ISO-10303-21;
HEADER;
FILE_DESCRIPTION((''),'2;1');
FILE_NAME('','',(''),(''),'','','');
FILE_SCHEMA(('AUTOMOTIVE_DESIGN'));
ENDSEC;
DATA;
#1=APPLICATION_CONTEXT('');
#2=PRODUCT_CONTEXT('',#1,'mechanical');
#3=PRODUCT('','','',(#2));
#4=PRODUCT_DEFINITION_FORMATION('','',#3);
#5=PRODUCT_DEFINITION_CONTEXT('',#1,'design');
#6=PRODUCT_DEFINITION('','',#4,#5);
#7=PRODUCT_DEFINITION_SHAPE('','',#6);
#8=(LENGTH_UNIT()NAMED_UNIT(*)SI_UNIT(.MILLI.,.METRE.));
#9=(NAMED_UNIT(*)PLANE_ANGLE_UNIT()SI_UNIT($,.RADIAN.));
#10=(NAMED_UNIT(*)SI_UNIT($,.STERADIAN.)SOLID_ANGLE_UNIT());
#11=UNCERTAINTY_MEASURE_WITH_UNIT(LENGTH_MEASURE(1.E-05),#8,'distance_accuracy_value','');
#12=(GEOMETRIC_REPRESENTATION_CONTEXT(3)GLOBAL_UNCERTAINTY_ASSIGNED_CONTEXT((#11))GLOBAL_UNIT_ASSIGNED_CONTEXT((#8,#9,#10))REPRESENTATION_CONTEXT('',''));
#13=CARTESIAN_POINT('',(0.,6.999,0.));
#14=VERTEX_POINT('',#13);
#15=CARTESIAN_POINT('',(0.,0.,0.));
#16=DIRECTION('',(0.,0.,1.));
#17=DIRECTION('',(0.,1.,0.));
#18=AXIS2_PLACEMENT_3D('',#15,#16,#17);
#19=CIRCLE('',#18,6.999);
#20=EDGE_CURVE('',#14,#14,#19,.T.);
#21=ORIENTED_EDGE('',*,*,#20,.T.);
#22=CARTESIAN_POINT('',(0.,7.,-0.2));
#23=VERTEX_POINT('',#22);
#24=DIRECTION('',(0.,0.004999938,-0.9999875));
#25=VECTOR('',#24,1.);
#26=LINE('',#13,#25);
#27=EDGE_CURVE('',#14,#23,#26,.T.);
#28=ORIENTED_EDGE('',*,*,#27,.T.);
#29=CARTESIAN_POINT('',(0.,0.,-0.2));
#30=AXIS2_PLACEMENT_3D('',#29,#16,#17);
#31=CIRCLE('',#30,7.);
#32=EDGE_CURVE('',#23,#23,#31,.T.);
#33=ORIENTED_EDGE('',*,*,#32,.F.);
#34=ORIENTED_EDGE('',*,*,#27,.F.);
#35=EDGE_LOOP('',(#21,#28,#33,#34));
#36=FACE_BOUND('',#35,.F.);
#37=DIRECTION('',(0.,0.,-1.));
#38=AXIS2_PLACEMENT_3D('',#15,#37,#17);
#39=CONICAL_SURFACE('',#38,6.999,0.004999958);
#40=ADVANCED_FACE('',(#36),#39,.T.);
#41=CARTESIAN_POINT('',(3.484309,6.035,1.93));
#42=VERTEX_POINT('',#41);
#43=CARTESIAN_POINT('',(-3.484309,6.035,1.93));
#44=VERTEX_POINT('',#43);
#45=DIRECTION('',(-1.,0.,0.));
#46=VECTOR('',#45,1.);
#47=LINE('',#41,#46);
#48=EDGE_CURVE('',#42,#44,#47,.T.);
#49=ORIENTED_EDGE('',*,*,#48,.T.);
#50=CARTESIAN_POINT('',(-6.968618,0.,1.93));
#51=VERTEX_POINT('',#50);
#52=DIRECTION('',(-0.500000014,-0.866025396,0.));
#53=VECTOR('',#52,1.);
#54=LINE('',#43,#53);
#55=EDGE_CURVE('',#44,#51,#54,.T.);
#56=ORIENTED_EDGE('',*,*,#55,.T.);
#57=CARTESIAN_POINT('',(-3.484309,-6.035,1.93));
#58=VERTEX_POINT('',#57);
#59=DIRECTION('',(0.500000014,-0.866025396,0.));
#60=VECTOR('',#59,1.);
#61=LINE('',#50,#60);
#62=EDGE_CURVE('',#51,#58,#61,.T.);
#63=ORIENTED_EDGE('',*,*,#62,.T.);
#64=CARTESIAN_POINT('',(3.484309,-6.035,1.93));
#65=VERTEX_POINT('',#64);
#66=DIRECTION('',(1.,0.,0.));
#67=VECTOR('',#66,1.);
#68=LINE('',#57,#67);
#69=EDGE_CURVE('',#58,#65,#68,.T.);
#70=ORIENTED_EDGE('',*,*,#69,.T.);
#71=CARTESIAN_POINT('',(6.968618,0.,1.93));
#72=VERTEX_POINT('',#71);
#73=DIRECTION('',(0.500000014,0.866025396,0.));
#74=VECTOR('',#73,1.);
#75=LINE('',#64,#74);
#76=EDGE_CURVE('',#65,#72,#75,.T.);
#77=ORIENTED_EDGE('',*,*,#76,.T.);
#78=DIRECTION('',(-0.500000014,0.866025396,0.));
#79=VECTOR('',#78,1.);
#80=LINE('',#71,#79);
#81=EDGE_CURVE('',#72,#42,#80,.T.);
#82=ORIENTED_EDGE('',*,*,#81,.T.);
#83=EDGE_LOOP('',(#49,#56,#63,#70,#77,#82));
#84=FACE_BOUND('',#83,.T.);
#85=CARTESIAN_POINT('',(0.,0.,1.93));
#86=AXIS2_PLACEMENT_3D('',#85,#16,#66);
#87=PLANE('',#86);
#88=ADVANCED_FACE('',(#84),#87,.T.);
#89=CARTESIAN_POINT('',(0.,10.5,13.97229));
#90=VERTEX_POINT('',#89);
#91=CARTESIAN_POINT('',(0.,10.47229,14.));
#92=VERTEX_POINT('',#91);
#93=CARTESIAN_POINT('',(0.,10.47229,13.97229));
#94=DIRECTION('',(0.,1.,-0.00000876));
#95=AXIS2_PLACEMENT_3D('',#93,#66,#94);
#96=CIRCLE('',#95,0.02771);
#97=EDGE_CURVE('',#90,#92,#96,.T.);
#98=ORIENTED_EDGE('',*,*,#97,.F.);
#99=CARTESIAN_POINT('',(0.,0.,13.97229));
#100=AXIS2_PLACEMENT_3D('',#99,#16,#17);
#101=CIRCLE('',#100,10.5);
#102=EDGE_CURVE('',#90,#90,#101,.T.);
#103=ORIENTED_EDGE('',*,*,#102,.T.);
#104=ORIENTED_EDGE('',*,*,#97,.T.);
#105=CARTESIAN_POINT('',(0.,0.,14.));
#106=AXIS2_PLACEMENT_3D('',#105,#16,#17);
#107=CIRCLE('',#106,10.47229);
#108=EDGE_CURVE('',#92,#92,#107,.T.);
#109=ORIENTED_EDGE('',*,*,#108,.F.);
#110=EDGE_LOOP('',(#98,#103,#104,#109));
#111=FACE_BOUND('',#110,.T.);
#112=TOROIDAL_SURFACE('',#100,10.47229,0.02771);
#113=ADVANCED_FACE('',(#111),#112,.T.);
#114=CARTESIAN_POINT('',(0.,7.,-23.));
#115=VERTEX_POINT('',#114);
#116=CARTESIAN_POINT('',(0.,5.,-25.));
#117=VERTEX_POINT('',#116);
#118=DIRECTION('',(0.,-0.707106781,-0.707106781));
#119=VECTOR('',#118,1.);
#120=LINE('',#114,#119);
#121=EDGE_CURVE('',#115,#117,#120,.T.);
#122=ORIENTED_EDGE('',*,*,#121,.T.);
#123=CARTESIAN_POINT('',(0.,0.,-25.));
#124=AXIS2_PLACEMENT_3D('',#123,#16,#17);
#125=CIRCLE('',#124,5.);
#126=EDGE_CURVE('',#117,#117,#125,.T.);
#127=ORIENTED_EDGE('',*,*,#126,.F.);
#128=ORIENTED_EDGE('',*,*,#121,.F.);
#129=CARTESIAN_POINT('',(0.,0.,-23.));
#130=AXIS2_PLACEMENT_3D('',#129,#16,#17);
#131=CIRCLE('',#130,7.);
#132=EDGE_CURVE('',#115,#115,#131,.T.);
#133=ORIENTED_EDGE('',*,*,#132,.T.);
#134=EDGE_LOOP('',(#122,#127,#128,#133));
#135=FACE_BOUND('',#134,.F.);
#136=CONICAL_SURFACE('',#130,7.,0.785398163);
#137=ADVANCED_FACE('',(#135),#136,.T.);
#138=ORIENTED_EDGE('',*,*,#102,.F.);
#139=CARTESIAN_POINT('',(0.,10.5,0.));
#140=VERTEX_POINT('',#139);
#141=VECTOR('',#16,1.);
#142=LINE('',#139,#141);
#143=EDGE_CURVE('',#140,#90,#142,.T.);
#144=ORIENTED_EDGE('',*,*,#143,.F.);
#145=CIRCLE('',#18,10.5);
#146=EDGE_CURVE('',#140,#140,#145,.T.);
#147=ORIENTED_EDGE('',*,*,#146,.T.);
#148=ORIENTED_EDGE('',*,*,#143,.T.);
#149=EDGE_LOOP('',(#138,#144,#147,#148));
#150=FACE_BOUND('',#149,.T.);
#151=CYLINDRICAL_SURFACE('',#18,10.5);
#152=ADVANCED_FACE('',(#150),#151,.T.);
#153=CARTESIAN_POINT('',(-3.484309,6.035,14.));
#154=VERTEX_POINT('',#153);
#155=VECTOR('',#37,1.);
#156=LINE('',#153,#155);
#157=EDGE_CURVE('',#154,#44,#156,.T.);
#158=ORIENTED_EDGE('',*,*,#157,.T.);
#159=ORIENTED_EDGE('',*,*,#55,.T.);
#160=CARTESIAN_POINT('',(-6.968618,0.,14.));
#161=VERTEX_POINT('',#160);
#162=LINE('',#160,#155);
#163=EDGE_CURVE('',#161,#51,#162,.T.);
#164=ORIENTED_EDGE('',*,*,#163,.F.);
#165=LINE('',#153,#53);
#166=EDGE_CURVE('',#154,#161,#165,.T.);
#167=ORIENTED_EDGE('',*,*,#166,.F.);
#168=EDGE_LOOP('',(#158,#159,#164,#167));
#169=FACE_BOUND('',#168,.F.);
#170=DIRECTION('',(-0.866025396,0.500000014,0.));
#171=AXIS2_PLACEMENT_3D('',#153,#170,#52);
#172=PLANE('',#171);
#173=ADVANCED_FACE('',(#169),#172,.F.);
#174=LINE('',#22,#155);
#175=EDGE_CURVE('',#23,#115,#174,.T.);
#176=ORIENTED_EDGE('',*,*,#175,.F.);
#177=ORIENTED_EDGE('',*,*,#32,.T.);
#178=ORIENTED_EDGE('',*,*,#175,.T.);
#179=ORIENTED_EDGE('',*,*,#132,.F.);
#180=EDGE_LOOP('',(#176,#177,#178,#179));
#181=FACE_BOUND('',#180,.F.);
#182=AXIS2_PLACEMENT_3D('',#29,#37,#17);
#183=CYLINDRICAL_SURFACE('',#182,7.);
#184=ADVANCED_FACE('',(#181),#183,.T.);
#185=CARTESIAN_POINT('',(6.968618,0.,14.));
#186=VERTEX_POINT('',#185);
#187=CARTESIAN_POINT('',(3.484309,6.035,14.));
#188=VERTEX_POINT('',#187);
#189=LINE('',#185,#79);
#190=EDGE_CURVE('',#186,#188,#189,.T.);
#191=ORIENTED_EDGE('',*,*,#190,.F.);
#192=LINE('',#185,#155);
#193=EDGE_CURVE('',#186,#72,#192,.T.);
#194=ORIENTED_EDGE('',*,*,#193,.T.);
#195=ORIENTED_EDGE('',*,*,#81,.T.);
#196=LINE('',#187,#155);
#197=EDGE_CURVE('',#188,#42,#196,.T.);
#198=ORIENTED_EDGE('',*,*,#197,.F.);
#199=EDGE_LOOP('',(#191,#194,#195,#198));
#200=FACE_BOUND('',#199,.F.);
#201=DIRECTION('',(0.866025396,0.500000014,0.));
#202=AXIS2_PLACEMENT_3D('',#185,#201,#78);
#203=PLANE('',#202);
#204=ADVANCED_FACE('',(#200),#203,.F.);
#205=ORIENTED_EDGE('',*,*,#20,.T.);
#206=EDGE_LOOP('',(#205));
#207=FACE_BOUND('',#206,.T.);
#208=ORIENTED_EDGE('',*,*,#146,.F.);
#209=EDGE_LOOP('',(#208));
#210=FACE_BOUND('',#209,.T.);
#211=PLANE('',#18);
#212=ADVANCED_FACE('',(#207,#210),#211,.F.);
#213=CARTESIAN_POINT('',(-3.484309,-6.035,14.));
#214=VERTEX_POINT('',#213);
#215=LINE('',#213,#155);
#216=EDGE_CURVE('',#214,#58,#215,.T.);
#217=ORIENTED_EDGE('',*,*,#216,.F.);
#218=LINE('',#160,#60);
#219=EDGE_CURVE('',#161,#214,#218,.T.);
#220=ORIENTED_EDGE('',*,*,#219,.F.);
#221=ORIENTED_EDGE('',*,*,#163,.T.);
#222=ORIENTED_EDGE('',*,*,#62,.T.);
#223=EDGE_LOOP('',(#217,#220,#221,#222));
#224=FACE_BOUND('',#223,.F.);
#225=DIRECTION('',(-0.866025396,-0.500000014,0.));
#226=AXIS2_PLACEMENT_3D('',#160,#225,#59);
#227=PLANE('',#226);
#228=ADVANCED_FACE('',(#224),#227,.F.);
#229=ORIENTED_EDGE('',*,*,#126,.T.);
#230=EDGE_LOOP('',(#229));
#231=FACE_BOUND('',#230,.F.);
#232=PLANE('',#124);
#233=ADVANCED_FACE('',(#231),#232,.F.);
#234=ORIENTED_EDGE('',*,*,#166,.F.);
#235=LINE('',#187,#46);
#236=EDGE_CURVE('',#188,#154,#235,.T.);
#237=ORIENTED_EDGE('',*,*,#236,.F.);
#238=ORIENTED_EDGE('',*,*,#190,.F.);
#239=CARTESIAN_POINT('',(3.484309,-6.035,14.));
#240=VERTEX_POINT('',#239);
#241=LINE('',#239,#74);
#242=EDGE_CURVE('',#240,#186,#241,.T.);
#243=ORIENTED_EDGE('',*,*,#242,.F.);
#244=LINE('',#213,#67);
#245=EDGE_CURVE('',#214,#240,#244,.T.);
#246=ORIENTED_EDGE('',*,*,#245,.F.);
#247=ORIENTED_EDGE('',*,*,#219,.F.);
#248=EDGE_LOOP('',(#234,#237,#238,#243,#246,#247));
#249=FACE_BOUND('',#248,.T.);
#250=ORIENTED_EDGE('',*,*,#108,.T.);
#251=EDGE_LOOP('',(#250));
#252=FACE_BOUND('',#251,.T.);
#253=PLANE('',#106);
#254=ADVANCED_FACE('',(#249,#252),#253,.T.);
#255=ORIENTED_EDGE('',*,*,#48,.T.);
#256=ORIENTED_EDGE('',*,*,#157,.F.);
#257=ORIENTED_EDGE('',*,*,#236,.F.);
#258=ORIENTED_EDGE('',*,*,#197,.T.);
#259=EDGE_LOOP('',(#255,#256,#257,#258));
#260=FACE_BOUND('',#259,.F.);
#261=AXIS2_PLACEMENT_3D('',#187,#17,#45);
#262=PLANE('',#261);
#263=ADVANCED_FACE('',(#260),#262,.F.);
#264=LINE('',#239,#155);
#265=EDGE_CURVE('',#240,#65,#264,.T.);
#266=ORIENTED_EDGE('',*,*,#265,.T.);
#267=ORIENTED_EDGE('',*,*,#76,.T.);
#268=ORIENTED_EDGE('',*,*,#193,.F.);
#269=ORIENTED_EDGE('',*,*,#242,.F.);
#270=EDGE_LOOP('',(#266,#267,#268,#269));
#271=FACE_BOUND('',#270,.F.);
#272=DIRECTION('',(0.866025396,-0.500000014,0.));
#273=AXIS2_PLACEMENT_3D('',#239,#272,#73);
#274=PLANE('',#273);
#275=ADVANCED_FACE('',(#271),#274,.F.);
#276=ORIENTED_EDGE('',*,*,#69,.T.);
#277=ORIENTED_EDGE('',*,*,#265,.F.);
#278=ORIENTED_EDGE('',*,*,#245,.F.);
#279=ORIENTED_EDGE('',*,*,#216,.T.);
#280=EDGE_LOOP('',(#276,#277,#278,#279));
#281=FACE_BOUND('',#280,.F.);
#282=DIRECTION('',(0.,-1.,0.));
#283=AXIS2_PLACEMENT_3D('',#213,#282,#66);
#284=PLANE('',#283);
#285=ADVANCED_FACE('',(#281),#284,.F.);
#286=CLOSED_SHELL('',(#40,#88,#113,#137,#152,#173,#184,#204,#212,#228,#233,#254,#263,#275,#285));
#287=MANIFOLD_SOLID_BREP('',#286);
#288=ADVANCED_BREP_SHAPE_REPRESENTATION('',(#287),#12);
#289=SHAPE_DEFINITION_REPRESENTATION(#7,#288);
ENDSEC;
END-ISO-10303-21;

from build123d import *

# Parameters (mm, degrees)
POCKET_DEPTH = 12.07


with BuildPart() as part:
    # Sketch → Revolve (revolve)
    with BuildSketch(Plane.YZ):
        with BuildLine():
            Line((6.999, 0), (10.5, 0))
            Line((10.5, 0), (10.5, 13.97229))
            ThreePointArc((10.5, 13.97229), (10.491884, 13.991884), (10.47229, 14))
            Line((10.47229, 14), (0, 14))
            Line((0, -25), (0, 14))
            Line((5, -25), (0, -25))
            Line((7, -23), (5, -25))
            Line((7, -0.2), (7, -23))
            Line((6.999, 0), (7, -0.2))
        make_face()
    revolve(axis=Axis((0, 0, 0), (0, 0, 1)))

    # Sketch001 → Pocket (cut)
    with BuildSketch(Plane.XY.offset(14)):
        Polygon((6.968618, 0), (3.484309, 6.035), (-3.484309, 6.035), (-6.968618, 0), (-3.484309, -6.035), (3.484309, -6.035), align=None)
    extrude(amount=-POCKET_DEPTH, mode=Mode.SUBTRACT)


solid = part.part
